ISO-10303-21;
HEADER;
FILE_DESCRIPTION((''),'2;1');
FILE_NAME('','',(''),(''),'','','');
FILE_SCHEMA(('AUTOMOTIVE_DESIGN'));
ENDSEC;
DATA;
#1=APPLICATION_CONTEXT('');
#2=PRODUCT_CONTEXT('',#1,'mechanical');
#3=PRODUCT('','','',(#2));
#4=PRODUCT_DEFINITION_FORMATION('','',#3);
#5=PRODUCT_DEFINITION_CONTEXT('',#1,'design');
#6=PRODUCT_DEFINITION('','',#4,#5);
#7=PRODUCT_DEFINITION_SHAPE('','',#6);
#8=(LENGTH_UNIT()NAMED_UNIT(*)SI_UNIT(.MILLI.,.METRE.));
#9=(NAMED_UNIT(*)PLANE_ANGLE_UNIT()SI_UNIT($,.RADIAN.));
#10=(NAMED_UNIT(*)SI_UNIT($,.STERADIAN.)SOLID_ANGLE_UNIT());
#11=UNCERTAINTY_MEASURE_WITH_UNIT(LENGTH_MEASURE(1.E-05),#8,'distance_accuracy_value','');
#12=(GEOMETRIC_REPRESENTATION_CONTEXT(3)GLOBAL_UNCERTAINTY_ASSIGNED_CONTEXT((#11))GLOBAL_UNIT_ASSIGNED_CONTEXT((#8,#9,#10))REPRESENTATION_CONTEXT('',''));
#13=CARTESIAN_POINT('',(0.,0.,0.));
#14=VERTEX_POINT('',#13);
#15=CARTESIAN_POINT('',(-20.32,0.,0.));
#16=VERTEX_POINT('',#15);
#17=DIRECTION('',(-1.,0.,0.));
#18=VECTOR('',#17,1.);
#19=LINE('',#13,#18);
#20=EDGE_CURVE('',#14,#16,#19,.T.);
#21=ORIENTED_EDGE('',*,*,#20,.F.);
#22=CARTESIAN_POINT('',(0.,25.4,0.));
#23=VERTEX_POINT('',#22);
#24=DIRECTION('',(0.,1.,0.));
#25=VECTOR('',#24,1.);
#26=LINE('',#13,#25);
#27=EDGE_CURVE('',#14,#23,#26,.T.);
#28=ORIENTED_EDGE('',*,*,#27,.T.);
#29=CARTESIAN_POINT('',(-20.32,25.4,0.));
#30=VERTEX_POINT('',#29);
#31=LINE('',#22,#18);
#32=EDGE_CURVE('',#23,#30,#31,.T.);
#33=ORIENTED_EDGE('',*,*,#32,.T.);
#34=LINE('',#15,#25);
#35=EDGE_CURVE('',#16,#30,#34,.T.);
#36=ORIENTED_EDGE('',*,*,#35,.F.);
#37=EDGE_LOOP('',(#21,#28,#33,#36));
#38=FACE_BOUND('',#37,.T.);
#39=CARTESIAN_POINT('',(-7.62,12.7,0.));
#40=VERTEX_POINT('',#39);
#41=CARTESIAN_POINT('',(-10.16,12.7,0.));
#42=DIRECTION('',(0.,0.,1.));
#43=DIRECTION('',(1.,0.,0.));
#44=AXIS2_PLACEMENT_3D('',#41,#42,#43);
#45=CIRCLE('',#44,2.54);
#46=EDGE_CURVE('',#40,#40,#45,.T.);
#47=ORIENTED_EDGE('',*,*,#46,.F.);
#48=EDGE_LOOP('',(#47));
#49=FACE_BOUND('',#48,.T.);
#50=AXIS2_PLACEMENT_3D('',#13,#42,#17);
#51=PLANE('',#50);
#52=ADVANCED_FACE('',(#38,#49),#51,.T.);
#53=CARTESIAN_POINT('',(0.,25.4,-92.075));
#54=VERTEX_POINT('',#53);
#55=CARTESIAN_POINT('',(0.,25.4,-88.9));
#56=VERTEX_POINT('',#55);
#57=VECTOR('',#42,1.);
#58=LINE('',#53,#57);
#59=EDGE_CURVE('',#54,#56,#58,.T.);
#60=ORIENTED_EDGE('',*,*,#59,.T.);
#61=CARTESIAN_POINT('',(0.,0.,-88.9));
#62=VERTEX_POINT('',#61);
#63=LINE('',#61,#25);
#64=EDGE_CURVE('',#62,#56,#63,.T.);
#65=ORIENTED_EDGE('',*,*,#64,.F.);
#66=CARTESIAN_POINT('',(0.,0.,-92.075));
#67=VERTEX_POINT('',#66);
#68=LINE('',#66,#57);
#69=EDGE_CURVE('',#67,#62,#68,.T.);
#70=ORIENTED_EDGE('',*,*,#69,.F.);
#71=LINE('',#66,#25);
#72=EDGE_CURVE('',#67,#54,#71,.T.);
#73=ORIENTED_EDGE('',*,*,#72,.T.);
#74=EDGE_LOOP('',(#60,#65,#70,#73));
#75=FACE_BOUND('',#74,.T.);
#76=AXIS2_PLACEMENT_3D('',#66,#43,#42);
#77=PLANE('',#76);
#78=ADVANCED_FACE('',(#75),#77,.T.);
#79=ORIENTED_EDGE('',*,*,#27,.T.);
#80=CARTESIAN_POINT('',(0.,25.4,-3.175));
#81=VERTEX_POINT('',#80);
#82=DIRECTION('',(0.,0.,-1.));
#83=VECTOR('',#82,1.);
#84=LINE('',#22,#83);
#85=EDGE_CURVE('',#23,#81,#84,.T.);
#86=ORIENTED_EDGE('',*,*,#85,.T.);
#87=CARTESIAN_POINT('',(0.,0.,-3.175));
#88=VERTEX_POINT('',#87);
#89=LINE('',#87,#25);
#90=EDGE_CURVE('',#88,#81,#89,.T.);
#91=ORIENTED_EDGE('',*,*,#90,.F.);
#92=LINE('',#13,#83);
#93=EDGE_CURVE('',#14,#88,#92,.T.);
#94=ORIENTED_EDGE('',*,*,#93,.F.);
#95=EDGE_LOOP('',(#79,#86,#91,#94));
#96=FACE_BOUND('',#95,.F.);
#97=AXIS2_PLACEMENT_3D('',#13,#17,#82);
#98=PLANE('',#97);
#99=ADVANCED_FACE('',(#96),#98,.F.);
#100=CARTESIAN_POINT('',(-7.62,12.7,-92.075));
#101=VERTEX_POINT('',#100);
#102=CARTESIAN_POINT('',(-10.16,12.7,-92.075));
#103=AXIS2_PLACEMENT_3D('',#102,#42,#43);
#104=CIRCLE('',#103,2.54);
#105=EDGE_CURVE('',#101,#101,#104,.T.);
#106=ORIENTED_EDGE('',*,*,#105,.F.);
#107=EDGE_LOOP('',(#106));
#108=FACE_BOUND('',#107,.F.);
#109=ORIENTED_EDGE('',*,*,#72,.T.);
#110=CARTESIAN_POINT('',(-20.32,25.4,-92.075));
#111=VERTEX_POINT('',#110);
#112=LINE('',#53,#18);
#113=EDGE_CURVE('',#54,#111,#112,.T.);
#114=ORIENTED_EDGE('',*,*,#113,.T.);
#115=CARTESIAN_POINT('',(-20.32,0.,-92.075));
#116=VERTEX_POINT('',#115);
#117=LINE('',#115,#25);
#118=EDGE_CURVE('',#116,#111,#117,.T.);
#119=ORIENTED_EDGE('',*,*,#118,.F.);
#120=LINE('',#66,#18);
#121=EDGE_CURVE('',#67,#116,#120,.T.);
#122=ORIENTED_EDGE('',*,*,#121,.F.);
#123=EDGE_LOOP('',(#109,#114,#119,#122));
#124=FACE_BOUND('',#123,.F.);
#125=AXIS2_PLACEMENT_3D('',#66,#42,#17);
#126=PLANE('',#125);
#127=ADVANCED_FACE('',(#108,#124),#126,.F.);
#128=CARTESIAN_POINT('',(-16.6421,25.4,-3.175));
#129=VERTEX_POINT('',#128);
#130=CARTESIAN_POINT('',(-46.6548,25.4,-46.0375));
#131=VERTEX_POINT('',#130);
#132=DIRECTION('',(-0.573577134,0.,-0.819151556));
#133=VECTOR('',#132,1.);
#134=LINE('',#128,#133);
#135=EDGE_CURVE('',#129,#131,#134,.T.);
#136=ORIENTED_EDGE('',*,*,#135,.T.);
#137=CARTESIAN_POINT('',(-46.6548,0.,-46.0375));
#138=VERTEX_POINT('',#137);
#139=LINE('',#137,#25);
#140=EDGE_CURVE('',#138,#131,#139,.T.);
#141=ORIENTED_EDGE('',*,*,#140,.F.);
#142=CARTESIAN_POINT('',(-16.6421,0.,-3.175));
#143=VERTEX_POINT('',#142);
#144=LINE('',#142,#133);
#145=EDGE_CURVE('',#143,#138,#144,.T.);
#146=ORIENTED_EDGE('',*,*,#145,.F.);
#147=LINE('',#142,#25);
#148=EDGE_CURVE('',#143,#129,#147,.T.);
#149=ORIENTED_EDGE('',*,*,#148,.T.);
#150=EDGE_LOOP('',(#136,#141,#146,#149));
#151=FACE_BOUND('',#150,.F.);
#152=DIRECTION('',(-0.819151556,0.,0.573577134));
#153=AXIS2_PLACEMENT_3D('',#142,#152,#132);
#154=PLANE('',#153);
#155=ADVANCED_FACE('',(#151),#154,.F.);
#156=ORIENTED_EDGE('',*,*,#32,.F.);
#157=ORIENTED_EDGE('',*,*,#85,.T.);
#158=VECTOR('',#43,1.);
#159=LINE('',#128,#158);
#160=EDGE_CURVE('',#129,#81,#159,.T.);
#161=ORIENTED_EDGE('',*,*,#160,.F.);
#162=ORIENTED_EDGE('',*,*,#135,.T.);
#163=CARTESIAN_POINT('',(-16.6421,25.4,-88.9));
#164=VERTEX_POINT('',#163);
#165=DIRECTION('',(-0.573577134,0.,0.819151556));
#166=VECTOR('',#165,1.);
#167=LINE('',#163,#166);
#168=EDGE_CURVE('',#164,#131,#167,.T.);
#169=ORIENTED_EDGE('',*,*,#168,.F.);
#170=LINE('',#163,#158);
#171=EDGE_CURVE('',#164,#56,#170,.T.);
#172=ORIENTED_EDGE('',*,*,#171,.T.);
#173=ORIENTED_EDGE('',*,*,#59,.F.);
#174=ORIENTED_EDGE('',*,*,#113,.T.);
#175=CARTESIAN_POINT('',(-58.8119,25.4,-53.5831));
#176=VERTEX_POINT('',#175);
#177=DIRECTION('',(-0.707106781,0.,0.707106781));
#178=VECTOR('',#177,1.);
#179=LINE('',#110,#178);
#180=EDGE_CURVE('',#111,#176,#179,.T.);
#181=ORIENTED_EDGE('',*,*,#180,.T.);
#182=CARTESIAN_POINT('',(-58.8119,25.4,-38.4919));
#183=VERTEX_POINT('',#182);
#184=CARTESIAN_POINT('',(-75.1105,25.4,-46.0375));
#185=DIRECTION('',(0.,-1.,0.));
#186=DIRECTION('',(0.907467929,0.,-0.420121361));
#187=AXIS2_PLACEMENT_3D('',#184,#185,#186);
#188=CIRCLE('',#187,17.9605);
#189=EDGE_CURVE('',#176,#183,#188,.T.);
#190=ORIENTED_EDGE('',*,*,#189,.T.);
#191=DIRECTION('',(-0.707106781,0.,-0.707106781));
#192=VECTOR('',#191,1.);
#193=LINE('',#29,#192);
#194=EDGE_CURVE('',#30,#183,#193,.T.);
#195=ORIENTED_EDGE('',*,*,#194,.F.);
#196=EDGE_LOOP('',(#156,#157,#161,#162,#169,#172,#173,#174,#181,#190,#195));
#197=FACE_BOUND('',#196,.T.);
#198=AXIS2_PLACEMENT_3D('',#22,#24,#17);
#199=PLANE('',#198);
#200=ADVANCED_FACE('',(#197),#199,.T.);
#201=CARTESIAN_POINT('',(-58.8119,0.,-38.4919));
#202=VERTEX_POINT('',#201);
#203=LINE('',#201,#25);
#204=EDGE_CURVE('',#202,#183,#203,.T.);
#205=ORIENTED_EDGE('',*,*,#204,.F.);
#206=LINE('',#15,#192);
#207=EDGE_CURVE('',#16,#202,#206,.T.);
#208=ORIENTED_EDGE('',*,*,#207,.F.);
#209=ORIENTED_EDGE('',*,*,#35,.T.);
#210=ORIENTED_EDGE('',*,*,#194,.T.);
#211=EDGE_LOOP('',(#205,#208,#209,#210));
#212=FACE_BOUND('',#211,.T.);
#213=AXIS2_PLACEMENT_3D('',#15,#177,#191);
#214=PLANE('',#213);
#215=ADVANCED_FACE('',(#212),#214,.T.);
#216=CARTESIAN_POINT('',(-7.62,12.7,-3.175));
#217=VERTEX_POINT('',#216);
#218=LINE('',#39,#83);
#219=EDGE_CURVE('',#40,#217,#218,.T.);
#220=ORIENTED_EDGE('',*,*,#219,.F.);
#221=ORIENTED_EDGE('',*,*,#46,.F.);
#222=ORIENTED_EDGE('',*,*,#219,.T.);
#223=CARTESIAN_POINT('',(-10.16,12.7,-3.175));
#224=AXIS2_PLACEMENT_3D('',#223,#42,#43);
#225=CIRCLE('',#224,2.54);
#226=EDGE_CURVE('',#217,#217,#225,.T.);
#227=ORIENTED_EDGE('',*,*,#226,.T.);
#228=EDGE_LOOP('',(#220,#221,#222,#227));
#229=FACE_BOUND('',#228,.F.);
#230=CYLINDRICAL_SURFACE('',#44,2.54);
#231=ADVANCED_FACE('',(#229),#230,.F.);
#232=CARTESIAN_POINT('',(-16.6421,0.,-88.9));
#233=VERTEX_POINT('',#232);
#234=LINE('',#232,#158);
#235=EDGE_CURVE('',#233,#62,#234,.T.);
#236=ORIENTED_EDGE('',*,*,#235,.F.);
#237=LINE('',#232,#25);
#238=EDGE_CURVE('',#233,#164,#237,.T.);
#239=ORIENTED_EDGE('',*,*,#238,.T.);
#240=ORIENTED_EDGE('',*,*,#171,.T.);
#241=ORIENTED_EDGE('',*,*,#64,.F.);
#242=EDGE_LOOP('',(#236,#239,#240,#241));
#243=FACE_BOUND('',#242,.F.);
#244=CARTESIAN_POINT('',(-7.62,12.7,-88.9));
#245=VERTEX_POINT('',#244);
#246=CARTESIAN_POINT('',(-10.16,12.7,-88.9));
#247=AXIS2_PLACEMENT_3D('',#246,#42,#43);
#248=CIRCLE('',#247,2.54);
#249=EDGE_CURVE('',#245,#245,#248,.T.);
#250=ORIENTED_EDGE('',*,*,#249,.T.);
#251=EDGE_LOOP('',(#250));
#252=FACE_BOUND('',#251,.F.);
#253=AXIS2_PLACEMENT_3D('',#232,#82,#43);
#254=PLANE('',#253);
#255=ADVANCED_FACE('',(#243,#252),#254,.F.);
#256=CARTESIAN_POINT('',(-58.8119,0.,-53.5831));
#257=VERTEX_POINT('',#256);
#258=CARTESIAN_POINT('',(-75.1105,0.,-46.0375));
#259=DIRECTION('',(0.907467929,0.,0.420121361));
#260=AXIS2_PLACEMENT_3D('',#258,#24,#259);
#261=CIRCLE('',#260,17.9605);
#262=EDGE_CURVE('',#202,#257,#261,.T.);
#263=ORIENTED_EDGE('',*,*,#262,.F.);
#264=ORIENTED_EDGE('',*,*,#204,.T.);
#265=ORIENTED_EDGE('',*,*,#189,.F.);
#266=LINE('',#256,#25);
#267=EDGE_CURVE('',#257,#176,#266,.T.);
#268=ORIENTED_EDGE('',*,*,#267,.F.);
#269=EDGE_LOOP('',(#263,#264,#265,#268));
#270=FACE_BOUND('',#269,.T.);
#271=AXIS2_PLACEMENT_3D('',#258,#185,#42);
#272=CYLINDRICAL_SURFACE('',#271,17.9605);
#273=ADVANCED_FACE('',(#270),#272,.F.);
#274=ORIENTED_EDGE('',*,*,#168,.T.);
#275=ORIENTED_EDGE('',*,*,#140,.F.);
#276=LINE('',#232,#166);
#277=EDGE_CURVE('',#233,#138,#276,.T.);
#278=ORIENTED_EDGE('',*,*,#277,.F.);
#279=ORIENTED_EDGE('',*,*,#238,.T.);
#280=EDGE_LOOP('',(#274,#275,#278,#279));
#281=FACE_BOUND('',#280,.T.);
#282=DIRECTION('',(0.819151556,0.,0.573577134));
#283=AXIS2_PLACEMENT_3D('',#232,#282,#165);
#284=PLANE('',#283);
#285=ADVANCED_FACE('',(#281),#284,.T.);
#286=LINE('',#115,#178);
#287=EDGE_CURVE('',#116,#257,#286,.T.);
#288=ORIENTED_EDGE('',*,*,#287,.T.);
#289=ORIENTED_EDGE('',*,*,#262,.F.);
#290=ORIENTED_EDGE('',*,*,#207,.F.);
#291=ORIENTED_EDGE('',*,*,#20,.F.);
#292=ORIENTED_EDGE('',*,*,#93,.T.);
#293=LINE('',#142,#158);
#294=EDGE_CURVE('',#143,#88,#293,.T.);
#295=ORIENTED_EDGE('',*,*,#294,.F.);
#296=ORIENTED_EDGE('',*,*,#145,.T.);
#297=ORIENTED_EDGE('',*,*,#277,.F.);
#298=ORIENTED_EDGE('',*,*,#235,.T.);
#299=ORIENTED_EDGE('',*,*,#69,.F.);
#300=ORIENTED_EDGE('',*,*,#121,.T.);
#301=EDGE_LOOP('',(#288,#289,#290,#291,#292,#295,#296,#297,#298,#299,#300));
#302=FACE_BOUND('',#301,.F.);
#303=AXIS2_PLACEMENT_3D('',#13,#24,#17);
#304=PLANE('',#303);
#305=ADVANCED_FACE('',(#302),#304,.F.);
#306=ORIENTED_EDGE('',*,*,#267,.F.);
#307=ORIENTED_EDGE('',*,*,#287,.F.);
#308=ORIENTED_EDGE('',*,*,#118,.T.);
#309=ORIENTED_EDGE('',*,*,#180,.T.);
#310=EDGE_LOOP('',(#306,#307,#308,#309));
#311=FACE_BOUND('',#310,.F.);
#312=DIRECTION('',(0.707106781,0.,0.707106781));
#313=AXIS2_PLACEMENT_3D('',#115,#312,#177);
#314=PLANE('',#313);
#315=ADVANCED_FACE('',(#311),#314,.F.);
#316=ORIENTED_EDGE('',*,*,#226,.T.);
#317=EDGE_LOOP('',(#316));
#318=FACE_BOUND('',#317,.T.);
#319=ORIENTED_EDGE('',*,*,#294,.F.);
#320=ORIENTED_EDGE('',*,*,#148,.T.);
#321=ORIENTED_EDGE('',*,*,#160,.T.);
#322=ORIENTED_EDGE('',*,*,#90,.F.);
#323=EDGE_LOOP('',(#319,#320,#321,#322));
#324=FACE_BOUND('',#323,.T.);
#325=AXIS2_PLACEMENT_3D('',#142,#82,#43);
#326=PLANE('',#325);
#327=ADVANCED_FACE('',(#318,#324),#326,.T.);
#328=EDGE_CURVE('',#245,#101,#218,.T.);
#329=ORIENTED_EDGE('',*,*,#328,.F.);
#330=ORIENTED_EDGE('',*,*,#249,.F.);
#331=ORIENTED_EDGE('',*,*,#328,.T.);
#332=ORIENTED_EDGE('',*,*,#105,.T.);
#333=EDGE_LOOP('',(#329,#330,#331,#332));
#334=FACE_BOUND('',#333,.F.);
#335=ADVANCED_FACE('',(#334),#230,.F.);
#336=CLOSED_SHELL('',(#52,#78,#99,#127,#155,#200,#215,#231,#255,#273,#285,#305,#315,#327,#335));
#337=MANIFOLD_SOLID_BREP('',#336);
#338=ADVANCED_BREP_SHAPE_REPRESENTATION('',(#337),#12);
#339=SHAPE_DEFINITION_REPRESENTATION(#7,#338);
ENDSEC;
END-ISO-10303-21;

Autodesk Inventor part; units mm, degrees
ref_plane "YZ Plane" through (0, 0, 0) normal (1, 0, 0) x (0, 1, 0)
ref_plane "XZ Plane" through (0, 0, 0) normal (0, 1, 0) x (-1, 0, 0)
ref_plane "XY Plane" through (0, 0, 0) normal (0, 0, 1) x (1, 0, 0)
sketch "Sketch1" plane through (0, 0, 0) normal (0, 1, 0) x (-1, 0, 0)
  line L0 (0, 0) -> (0, -46.0375)
  line L1 (0, 0) -> (20.32, 0)
  line L2 (16.6421, -3.175) -> (0, -3.175)
  line L3 (0, -3.175) -> (0, 0)
  line L4 (0, -46.0375) -> (57.15, -46.0375)
  line L5 (0, -46.0375) -> (57.15, -46.0375) construction
  line L6 (20.32, 0) -> (59.69, 0) construction
  line L7 (20.32, -3.175) -> (52.07, -3.175) construction
  arc A0 (75.1105, -28.077) -> (57.15, -46.0375) centre (75.1105, -46.0375) ccw
  line L8 (57.15, -46.0375) -> (75.1105, -28.077) construction
  line L9 (57.15, -46.0375) -> (82.55, -46.0375) construction
  line L10 (20.32, 0) -> (58.8119, -38.4919)
  line L11 (20.32, 0) -> (74.7558, 0) construction
  line L12 (20.32, -3.175) -> (72.6455, -3.175) construction
  line L13 (0, -92.075) -> (0, -46.0375)
  line L14 (16.6421, -3.175) -> (46.6548, -46.0375)
  line L15 (16.6421, -3.175) -> (68.9676, -3.175) construction
  line L16 (0, -92.075) -> (0, -46.0375)
  line L17 (0, -92.075) -> (20.32, -92.075)
  line L18 (16.6421, -88.9) -> (0, -88.9)
  line L19 (0, -88.9) -> (0, -92.075)
  line L20 (20.32, -92.075) -> (59.69, -92.075) construction
  line L21 (20.32, -88.9) -> (52.07, -88.9) construction
  arc A1 (57.15, -46.0375) -> (75.1105, -63.998) centre (75.1105, -46.0375) ccw
  line L22 (57.15, -46.0375) -> (75.1105, -63.998) construction
  line L23 (20.32, -92.075) -> (58.8119, -53.5831)
  line L24 (20.32, -92.075) -> (74.7558, -92.075) construction
  line L25 (20.32, -88.9) -> (72.6455, -88.9) construction
  line L26 (16.6421, -88.9) -> (46.6548, -46.0375)
  line L27 (16.6421, -88.9) -> (68.9676, -88.9) construction
  dimension "d1" = 20.32
  dimension "d6" = 0
  dimension "d26" = 25.4
  dimension "d27" = 45
  dimension "d29" = 45
  dimension "d31" = 55
  dimension "d34" = 92.075
extrude "Extrusion1" add sketch "Sketch1" along normal blind 25.4 contours L1 L10 A0 L4 L14 L2 L0 | L4 A1 L23 L17 L13 L18 L26
sketch "Sketch2" plane through (-20.32, 0, 0) normal (0, 0, 1) x (1, 0, 0)
  line L0 (20.32, 0) -> (20.32, 25.4) projected
  line L1 (20.32, 12.7) -> (10.16, 12.7)
  circle A0 centre (10.16, 12.7) radius 2.54
  dimension "d19" = 10.16
  dimension "d20" = 5.08
extrude "Extrusion2" cut sketch "Sketch2" against normal blind 142.875
properties part number "NeckRest"
